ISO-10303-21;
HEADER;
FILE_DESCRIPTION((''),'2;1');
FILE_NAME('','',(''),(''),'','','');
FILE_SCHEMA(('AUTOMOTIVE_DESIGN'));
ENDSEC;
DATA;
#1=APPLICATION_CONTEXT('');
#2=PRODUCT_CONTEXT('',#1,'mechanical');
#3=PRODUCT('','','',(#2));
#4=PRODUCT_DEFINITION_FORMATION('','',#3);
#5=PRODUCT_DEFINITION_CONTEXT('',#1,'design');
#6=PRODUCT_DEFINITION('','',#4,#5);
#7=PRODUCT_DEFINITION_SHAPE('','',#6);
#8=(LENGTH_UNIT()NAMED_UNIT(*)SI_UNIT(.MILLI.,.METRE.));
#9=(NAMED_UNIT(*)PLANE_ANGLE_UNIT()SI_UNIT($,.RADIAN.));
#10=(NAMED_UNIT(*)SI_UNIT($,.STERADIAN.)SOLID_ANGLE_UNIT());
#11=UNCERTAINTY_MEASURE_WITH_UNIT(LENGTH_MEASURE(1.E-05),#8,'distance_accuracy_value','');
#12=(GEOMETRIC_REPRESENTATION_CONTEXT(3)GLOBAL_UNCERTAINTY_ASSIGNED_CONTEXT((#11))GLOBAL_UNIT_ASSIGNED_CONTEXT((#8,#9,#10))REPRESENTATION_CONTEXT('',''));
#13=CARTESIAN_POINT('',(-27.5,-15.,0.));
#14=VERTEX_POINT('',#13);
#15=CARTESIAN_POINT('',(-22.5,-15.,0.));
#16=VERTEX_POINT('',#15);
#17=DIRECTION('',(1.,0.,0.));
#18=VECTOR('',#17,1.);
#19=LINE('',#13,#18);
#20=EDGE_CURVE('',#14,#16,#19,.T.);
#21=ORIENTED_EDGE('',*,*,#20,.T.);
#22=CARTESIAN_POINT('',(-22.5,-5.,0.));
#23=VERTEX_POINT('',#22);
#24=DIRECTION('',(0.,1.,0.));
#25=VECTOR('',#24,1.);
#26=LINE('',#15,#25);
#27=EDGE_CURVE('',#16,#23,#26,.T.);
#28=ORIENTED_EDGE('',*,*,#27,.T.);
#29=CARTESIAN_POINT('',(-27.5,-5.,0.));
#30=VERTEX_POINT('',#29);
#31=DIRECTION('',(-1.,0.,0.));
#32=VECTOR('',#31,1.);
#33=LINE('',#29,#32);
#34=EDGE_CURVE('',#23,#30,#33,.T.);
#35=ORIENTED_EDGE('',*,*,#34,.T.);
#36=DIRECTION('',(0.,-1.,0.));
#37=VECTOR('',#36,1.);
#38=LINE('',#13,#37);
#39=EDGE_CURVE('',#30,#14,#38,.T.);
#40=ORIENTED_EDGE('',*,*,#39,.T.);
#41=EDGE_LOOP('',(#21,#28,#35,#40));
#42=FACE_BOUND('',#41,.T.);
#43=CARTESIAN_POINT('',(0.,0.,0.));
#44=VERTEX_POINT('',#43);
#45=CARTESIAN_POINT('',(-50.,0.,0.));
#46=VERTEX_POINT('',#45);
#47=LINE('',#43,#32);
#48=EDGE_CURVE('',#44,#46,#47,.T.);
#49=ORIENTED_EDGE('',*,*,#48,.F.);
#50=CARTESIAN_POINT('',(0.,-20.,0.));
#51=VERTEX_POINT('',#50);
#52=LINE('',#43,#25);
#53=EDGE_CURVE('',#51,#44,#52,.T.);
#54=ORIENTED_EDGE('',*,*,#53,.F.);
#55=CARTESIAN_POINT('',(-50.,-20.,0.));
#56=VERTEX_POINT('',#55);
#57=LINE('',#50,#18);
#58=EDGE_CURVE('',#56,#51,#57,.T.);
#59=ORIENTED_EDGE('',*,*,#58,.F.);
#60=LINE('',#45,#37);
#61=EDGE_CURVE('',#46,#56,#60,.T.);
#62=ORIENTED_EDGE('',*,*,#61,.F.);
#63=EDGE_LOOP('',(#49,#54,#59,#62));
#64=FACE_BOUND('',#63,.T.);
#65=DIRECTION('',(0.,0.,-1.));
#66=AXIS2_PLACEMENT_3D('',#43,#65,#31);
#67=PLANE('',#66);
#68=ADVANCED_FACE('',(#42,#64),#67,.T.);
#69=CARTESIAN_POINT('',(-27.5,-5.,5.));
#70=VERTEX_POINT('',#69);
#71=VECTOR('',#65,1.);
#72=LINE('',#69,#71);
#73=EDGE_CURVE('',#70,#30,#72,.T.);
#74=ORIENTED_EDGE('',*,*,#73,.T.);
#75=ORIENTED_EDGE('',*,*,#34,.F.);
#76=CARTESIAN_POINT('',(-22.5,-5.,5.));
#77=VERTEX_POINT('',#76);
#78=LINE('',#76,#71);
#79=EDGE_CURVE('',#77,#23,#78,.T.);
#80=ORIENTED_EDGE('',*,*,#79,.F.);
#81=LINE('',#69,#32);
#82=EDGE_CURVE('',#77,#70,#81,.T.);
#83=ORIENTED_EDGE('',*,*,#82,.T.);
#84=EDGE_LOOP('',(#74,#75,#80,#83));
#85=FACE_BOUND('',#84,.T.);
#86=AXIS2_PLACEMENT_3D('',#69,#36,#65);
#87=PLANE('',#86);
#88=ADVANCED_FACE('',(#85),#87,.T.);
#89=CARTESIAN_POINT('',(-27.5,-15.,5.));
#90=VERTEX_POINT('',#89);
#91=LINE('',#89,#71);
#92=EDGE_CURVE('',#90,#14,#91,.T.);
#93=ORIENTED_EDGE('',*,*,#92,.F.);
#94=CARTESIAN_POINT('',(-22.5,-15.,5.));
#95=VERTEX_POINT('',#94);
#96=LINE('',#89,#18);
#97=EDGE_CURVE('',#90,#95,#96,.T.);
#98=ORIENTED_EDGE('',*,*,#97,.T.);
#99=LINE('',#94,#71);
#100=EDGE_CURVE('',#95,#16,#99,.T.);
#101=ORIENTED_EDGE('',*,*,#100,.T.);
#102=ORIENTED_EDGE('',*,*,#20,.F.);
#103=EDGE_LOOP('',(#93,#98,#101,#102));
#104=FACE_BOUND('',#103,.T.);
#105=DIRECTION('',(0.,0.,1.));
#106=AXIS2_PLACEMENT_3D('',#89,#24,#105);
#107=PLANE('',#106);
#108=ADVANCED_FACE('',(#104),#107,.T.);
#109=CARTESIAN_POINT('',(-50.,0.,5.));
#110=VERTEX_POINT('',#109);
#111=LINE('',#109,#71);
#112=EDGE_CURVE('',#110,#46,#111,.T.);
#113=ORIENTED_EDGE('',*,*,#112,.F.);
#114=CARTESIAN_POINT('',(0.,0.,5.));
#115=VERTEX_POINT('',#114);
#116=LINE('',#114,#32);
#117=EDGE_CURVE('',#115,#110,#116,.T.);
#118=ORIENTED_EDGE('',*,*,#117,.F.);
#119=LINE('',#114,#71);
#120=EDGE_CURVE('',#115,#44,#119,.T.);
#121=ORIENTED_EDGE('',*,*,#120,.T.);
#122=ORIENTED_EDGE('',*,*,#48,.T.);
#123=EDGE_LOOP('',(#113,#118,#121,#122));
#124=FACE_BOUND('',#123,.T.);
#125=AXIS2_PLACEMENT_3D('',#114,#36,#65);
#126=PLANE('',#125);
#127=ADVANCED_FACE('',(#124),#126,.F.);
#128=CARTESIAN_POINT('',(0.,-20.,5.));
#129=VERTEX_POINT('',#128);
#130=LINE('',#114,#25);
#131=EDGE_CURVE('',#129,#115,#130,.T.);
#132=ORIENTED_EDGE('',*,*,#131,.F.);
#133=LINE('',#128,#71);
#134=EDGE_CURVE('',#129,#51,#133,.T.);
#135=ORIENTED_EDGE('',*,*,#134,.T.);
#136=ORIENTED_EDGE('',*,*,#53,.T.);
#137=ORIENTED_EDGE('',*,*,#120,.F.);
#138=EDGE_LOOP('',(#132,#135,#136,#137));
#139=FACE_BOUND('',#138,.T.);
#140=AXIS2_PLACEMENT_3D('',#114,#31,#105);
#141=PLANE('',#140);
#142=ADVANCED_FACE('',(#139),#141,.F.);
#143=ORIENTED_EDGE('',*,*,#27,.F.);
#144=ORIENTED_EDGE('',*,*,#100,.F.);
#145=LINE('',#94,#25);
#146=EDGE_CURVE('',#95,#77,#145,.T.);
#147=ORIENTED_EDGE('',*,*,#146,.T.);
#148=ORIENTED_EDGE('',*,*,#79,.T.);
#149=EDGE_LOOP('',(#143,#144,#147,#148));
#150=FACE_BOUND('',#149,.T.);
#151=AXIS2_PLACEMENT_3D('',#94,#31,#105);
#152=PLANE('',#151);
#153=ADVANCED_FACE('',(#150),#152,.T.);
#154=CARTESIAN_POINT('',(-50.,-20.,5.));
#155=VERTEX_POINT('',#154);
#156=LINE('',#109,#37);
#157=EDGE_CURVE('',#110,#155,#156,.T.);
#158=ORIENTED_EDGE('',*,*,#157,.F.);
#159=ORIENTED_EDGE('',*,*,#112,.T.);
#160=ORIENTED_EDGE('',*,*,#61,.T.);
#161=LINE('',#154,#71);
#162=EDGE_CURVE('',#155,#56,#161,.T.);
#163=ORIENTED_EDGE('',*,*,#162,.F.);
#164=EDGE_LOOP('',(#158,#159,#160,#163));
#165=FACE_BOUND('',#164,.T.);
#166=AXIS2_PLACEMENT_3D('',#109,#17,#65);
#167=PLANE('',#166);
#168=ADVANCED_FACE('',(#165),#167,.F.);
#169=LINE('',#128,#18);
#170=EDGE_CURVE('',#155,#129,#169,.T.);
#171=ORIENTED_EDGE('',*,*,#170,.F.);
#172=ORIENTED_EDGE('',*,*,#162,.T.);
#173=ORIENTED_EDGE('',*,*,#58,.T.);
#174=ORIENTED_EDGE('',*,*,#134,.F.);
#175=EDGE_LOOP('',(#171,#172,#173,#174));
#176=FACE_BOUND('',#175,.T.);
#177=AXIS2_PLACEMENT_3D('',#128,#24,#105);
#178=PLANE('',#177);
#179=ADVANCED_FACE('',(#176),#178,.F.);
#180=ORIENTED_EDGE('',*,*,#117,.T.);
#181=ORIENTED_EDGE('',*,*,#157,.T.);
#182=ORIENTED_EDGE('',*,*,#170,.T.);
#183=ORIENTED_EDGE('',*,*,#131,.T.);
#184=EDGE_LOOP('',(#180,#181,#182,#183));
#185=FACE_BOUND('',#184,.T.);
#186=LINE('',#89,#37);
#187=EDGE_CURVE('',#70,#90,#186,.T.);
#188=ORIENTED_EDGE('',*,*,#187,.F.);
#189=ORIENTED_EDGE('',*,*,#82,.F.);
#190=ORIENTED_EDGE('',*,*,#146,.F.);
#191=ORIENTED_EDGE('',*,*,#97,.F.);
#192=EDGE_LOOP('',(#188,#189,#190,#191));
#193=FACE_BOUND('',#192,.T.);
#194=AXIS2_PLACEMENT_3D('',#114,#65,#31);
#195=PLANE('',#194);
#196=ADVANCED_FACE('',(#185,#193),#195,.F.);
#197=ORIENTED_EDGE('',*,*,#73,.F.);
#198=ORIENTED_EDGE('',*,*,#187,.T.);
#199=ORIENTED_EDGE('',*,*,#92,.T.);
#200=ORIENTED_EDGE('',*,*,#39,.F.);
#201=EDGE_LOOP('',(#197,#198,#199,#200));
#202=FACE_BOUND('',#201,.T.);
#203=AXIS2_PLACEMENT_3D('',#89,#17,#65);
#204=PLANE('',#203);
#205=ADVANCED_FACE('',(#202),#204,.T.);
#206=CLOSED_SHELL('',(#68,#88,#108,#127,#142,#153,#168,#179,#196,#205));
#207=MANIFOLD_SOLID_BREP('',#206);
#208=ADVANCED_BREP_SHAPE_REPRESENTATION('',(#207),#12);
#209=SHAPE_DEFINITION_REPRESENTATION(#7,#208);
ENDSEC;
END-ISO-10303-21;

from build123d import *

# Parameters (mm, degrees)
ESQUISSE1_W        = 50
ESQUISSE1_H        = 20
ESQUISSE1_W_2      = 5
ESQUISSE1_H_2      = 10
BOSS_EXTRU_1_DEPTH = 5


with BuildPart() as part:
    # Esquisse1 → Boss.-Extru.1 (new body)
    with BuildSketch(Plane.XY):
        with Locations((-25, -10)):
            Rectangle(ESQUISSE1_W, ESQUISSE1_H)
        with Locations((-25, -10)):
            Rectangle(ESQUISSE1_W_2, ESQUISSE1_H_2, mode=Mode.SUBTRACT)
    extrude(amount=BOSS_EXTRU_1_DEPTH)


solid = part.part
